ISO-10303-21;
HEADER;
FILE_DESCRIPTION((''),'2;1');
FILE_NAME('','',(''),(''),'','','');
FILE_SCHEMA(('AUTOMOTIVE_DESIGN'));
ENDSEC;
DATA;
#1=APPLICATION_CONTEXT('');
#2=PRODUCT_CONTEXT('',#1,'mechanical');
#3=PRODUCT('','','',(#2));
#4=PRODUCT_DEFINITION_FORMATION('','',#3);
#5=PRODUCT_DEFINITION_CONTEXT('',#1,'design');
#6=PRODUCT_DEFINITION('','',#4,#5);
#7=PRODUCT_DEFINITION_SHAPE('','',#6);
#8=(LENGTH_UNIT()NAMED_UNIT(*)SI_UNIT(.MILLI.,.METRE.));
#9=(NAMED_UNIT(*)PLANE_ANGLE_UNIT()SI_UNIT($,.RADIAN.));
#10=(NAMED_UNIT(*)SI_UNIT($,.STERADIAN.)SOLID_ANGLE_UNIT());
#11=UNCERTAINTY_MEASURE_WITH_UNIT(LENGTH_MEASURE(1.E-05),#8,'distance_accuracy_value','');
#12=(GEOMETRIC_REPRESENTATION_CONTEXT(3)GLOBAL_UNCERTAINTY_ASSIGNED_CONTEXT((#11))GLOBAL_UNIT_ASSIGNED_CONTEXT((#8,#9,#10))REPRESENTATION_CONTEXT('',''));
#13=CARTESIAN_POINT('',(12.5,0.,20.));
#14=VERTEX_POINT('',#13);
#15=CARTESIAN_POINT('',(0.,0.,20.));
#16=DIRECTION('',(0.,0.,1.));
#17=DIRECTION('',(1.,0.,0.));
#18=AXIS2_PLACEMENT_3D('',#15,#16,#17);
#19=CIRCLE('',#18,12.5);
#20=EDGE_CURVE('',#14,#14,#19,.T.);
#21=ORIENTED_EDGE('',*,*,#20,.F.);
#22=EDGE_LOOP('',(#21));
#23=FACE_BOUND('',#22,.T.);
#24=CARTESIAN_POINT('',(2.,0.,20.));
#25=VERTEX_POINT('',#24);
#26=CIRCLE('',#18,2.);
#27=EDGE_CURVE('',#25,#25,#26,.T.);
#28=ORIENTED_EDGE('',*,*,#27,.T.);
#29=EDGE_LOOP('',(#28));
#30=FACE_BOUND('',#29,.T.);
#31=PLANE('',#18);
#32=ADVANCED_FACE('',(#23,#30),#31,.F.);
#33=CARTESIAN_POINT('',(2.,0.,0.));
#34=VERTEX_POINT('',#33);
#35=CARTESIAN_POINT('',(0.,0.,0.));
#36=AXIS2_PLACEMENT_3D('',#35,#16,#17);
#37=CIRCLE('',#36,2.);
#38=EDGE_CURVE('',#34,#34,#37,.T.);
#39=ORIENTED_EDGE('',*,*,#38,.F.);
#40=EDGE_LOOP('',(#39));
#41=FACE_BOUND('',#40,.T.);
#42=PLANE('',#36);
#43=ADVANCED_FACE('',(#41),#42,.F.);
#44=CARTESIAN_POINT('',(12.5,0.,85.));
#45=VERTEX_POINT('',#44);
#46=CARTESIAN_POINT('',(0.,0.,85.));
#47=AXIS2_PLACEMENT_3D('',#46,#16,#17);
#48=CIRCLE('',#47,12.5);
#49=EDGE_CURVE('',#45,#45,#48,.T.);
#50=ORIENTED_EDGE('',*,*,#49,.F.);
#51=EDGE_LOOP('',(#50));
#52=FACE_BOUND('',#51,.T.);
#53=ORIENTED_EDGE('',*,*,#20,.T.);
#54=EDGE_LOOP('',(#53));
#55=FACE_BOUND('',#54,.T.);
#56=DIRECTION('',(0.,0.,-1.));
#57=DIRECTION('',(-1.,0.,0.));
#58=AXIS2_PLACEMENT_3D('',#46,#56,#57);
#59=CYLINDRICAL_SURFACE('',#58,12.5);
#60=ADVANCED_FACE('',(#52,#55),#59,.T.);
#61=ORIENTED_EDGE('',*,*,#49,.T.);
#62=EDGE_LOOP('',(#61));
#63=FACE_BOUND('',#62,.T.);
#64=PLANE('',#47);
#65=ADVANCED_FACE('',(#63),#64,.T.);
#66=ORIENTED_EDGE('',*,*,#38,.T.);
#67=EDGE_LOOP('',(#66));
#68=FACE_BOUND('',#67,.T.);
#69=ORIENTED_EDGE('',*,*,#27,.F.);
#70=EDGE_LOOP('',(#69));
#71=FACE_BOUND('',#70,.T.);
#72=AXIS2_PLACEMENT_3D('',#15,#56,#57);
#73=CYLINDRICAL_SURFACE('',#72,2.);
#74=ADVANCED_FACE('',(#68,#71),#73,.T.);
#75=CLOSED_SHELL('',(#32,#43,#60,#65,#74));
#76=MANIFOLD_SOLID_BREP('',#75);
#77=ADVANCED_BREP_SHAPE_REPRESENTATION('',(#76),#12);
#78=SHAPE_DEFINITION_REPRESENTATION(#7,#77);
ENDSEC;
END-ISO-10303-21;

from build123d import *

# Parameters (mm, degrees)
SKETCH_1_R      = 2
EXTRUDE_1_DEPTH = 20
SKETCH_2_R      = 12.5
EXTRUDE_2_DEPTH = 65


with BuildPart() as part:
    # 草图1 → 凸台-拉伸1 (new body)
    with BuildSketch(Plane.XY):
        Circle(SKETCH_1_R)
    extrude(amount=EXTRUDE_1_DEPTH)

    # 草图2 → 凸台-拉伸2 (add)
    with BuildSketch(Plane.XY.offset(20)):
        Circle(SKETCH_2_R)
    extrude(amount=EXTRUDE_2_DEPTH)


solid = part.part
